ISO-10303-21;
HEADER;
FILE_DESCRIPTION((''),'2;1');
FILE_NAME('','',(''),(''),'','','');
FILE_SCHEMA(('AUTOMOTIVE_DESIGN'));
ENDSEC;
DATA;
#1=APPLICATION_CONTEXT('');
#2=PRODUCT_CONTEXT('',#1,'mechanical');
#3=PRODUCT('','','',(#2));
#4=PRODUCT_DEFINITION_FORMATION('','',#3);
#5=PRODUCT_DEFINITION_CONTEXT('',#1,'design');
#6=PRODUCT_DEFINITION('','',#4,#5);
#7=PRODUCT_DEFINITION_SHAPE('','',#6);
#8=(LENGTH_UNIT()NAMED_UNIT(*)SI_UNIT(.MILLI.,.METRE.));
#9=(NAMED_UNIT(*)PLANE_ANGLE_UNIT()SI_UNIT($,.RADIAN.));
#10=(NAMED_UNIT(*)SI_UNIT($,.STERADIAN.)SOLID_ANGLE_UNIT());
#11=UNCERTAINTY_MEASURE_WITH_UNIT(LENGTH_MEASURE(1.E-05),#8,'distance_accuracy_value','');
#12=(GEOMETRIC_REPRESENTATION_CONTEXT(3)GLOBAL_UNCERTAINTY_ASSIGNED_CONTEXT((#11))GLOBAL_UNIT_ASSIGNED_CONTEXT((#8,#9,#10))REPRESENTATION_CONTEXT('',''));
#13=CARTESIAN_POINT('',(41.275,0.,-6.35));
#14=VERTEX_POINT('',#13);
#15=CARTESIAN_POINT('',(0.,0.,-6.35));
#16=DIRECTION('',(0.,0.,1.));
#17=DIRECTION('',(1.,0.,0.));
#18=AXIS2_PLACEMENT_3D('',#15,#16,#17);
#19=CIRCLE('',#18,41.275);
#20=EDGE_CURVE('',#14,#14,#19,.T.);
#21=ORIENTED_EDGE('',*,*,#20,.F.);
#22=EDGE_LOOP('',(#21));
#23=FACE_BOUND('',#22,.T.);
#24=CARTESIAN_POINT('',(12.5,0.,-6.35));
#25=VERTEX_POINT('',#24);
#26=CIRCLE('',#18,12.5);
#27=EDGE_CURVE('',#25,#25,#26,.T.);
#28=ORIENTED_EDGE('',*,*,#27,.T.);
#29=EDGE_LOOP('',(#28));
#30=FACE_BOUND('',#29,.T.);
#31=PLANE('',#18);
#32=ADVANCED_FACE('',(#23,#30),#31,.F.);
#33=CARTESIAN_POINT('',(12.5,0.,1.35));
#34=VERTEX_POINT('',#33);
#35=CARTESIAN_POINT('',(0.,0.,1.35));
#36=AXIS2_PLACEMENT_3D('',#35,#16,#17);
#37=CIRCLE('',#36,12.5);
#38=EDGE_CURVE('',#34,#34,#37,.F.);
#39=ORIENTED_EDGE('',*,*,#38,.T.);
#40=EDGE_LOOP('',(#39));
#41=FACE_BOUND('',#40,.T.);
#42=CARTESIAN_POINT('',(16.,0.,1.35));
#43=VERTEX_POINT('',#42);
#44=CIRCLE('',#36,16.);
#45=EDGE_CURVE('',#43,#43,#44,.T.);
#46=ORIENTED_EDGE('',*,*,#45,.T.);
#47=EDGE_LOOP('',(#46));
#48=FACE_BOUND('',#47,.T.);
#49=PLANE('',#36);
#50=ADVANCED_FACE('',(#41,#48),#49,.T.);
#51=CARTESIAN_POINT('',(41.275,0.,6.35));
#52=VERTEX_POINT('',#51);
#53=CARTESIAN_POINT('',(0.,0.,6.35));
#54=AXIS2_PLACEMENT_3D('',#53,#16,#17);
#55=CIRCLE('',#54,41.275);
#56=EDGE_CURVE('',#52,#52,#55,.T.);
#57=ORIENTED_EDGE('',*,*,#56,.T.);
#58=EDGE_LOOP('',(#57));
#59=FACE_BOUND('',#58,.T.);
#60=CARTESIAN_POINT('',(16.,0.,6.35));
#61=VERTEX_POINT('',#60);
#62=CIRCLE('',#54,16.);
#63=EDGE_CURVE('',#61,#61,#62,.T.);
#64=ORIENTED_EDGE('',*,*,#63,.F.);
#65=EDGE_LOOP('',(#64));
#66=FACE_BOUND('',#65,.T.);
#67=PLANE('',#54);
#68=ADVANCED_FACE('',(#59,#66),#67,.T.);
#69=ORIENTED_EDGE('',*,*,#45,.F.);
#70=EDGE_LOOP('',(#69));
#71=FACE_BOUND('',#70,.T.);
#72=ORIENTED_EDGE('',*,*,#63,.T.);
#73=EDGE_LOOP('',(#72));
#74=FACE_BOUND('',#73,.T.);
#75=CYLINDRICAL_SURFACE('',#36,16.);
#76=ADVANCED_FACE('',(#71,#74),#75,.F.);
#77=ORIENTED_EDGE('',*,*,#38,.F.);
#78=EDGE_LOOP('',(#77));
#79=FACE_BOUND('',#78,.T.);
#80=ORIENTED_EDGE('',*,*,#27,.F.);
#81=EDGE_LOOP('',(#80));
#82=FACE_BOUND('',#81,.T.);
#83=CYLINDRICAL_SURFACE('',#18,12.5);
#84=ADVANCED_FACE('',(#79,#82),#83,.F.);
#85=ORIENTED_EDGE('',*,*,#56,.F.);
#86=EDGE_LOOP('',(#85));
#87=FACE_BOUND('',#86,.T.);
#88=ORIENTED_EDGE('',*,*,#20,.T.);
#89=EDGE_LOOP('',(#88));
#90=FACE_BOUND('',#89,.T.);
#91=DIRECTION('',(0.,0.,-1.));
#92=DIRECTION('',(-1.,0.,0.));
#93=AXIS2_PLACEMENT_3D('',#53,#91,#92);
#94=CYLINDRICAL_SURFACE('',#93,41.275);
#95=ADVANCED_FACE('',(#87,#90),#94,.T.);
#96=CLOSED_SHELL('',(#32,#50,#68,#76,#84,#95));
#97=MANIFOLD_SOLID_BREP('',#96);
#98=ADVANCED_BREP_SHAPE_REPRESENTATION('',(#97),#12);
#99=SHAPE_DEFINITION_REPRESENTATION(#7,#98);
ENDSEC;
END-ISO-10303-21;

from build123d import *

# Parameters (mm, degrees)
SKETCH1_R               = 41.275
BOSS_EXTRUDE1_DEPTH     = 6.35
CUT_EXTRUDE1_DEPTH      = 60.737268518
CUT_EXTRUDE1_DEPTH_BACK = 60.737268518
SKETCH2_R               = 12.500000019
SKETCH3_R               = 16.000000004
CUT_EXTRUDE2_DEPTH      = 5


with BuildPart() as part:
    # Sketch1 → Boss-Extrude1 (new, symmetric)
    with BuildSketch(Plane.XY):
        Circle(SKETCH1_R)
    extrude(amount=BOSS_EXTRUDE1_DEPTH, both=True)

    # Sketch2 → Cut-Extrude1 (cut, two sides: drawn at the far end of the back side and taken through both)
    with BuildSketch(Plane.XY.offset(6.35).offset(-CUT_EXTRUDE1_DEPTH_BACK)):
        Circle(SKETCH2_R)
    extrude(amount=CUT_EXTRUDE1_DEPTH + CUT_EXTRUDE1_DEPTH_BACK, mode=Mode.SUBTRACT)

    # Sketch3 → Cut-Extrude2 (cut)
    with BuildSketch(Plane.XY.offset(6.35)):
        Circle(SKETCH3_R)
    extrude(amount=-CUT_EXTRUDE2_DEPTH, mode=Mode.SUBTRACT)


solid = part.part
